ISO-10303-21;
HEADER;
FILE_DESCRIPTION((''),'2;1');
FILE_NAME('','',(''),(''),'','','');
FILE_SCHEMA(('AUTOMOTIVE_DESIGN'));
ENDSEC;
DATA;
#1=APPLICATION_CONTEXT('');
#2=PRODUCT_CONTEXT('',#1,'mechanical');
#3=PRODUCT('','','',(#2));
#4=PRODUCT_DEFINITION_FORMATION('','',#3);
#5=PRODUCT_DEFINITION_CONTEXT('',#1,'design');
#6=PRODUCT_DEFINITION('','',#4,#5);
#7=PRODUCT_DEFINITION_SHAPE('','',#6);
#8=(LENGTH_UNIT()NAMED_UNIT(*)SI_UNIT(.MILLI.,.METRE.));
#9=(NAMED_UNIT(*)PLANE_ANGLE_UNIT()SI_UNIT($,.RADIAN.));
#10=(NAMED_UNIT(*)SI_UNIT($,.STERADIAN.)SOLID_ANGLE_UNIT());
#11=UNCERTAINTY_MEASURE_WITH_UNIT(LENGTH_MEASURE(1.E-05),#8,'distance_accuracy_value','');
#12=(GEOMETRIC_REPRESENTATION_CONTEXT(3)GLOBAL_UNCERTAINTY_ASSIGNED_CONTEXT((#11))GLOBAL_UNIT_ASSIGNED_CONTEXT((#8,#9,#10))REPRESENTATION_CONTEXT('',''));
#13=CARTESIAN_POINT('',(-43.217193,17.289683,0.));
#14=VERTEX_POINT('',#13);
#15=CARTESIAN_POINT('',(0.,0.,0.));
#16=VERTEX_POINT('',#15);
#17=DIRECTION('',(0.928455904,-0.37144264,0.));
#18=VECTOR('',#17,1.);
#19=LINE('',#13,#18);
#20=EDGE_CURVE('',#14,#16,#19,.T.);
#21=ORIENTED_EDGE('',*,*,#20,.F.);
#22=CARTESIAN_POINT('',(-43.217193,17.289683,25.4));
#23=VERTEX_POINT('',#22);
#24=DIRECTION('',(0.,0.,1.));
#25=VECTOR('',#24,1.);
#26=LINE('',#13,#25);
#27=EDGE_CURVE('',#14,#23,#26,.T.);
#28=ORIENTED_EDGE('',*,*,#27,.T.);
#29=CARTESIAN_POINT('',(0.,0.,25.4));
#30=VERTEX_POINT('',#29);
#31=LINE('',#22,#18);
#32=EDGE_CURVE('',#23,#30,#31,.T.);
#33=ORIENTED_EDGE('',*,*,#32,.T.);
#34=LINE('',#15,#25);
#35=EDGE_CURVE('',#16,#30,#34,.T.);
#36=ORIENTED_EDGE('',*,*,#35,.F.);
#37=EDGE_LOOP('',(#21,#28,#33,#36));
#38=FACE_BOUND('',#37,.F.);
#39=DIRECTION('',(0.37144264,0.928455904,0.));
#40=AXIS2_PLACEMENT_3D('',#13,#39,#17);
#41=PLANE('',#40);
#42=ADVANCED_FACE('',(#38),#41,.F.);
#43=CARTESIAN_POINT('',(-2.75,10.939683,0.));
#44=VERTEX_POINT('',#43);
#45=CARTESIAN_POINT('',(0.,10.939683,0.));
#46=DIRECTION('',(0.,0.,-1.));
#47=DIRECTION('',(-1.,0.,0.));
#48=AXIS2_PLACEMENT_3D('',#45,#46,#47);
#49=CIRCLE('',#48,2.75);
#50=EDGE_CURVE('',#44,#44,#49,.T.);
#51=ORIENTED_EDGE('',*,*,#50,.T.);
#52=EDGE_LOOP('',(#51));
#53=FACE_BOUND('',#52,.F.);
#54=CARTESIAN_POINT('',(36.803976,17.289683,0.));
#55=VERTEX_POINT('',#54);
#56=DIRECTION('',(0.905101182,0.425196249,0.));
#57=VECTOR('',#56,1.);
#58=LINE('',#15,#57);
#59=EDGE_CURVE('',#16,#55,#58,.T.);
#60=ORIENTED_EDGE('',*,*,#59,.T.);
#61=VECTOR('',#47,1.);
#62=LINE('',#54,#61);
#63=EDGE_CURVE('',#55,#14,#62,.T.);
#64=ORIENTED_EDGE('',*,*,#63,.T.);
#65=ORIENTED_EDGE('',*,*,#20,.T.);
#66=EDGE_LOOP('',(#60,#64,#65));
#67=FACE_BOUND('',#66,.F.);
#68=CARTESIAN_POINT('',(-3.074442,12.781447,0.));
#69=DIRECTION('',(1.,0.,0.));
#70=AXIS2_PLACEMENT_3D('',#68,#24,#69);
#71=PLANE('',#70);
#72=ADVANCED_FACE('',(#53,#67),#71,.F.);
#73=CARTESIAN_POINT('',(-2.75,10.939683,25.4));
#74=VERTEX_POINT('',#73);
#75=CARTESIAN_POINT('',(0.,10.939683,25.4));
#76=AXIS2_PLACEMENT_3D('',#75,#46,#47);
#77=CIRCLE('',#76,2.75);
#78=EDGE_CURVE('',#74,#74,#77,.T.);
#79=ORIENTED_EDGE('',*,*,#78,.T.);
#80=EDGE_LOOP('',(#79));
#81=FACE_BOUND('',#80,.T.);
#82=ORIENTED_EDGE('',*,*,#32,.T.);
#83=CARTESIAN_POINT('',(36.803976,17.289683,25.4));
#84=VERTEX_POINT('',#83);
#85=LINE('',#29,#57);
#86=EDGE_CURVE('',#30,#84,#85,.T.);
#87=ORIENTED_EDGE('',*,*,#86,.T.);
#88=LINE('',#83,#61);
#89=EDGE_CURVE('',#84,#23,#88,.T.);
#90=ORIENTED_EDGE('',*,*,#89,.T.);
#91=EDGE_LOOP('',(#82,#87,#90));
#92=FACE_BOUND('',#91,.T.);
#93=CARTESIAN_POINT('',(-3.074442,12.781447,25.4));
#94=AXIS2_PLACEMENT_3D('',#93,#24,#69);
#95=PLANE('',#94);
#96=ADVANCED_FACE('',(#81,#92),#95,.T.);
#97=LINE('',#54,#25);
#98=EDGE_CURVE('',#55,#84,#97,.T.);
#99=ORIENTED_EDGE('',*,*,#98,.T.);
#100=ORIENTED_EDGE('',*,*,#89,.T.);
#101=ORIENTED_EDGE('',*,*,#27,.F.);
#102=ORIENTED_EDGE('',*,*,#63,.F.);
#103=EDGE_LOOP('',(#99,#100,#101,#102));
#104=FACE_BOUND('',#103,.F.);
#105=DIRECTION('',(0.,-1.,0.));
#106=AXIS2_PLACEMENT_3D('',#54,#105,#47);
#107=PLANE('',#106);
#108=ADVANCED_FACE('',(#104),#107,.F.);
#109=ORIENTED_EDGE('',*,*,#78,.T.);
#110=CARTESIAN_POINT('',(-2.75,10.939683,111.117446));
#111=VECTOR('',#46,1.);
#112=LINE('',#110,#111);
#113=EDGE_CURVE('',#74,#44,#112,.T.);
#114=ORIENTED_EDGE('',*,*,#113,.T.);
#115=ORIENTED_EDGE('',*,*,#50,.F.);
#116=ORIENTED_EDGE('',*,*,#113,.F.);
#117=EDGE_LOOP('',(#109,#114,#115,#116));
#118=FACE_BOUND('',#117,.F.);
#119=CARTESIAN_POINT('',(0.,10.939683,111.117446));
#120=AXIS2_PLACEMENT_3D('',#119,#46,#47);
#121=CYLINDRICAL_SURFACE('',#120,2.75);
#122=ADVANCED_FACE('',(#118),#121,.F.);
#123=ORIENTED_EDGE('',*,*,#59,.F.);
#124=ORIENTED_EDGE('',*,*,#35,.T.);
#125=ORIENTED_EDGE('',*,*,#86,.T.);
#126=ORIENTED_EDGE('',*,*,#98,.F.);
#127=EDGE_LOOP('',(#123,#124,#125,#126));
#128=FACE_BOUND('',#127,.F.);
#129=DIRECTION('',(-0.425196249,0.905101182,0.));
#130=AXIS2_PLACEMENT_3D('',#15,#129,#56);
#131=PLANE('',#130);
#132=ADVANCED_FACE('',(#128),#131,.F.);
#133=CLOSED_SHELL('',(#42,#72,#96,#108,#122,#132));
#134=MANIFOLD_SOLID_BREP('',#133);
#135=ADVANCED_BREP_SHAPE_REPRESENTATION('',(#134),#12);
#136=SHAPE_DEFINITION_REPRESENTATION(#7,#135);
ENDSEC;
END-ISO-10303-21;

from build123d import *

# Parameters (mm, degrees)
F1_DEPTH = 25.4
F3_D     = 5.5


with BuildPart() as f1:
    # F0 (on Top) → F1 (new body)
    with BuildSketch(Plane.XY):
        Polygon((-43.217193, 17.289683), (0, 0), (36.803976, 17.289683), align=None)
    extrude(amount=F1_DEPTH)

    # F3 (through all)
    with Locations(Plane.XY.offset(25.4)):
        with Locations((0, 10.939683)):
            Hole(F3_D / 2)


solid = f1.part
